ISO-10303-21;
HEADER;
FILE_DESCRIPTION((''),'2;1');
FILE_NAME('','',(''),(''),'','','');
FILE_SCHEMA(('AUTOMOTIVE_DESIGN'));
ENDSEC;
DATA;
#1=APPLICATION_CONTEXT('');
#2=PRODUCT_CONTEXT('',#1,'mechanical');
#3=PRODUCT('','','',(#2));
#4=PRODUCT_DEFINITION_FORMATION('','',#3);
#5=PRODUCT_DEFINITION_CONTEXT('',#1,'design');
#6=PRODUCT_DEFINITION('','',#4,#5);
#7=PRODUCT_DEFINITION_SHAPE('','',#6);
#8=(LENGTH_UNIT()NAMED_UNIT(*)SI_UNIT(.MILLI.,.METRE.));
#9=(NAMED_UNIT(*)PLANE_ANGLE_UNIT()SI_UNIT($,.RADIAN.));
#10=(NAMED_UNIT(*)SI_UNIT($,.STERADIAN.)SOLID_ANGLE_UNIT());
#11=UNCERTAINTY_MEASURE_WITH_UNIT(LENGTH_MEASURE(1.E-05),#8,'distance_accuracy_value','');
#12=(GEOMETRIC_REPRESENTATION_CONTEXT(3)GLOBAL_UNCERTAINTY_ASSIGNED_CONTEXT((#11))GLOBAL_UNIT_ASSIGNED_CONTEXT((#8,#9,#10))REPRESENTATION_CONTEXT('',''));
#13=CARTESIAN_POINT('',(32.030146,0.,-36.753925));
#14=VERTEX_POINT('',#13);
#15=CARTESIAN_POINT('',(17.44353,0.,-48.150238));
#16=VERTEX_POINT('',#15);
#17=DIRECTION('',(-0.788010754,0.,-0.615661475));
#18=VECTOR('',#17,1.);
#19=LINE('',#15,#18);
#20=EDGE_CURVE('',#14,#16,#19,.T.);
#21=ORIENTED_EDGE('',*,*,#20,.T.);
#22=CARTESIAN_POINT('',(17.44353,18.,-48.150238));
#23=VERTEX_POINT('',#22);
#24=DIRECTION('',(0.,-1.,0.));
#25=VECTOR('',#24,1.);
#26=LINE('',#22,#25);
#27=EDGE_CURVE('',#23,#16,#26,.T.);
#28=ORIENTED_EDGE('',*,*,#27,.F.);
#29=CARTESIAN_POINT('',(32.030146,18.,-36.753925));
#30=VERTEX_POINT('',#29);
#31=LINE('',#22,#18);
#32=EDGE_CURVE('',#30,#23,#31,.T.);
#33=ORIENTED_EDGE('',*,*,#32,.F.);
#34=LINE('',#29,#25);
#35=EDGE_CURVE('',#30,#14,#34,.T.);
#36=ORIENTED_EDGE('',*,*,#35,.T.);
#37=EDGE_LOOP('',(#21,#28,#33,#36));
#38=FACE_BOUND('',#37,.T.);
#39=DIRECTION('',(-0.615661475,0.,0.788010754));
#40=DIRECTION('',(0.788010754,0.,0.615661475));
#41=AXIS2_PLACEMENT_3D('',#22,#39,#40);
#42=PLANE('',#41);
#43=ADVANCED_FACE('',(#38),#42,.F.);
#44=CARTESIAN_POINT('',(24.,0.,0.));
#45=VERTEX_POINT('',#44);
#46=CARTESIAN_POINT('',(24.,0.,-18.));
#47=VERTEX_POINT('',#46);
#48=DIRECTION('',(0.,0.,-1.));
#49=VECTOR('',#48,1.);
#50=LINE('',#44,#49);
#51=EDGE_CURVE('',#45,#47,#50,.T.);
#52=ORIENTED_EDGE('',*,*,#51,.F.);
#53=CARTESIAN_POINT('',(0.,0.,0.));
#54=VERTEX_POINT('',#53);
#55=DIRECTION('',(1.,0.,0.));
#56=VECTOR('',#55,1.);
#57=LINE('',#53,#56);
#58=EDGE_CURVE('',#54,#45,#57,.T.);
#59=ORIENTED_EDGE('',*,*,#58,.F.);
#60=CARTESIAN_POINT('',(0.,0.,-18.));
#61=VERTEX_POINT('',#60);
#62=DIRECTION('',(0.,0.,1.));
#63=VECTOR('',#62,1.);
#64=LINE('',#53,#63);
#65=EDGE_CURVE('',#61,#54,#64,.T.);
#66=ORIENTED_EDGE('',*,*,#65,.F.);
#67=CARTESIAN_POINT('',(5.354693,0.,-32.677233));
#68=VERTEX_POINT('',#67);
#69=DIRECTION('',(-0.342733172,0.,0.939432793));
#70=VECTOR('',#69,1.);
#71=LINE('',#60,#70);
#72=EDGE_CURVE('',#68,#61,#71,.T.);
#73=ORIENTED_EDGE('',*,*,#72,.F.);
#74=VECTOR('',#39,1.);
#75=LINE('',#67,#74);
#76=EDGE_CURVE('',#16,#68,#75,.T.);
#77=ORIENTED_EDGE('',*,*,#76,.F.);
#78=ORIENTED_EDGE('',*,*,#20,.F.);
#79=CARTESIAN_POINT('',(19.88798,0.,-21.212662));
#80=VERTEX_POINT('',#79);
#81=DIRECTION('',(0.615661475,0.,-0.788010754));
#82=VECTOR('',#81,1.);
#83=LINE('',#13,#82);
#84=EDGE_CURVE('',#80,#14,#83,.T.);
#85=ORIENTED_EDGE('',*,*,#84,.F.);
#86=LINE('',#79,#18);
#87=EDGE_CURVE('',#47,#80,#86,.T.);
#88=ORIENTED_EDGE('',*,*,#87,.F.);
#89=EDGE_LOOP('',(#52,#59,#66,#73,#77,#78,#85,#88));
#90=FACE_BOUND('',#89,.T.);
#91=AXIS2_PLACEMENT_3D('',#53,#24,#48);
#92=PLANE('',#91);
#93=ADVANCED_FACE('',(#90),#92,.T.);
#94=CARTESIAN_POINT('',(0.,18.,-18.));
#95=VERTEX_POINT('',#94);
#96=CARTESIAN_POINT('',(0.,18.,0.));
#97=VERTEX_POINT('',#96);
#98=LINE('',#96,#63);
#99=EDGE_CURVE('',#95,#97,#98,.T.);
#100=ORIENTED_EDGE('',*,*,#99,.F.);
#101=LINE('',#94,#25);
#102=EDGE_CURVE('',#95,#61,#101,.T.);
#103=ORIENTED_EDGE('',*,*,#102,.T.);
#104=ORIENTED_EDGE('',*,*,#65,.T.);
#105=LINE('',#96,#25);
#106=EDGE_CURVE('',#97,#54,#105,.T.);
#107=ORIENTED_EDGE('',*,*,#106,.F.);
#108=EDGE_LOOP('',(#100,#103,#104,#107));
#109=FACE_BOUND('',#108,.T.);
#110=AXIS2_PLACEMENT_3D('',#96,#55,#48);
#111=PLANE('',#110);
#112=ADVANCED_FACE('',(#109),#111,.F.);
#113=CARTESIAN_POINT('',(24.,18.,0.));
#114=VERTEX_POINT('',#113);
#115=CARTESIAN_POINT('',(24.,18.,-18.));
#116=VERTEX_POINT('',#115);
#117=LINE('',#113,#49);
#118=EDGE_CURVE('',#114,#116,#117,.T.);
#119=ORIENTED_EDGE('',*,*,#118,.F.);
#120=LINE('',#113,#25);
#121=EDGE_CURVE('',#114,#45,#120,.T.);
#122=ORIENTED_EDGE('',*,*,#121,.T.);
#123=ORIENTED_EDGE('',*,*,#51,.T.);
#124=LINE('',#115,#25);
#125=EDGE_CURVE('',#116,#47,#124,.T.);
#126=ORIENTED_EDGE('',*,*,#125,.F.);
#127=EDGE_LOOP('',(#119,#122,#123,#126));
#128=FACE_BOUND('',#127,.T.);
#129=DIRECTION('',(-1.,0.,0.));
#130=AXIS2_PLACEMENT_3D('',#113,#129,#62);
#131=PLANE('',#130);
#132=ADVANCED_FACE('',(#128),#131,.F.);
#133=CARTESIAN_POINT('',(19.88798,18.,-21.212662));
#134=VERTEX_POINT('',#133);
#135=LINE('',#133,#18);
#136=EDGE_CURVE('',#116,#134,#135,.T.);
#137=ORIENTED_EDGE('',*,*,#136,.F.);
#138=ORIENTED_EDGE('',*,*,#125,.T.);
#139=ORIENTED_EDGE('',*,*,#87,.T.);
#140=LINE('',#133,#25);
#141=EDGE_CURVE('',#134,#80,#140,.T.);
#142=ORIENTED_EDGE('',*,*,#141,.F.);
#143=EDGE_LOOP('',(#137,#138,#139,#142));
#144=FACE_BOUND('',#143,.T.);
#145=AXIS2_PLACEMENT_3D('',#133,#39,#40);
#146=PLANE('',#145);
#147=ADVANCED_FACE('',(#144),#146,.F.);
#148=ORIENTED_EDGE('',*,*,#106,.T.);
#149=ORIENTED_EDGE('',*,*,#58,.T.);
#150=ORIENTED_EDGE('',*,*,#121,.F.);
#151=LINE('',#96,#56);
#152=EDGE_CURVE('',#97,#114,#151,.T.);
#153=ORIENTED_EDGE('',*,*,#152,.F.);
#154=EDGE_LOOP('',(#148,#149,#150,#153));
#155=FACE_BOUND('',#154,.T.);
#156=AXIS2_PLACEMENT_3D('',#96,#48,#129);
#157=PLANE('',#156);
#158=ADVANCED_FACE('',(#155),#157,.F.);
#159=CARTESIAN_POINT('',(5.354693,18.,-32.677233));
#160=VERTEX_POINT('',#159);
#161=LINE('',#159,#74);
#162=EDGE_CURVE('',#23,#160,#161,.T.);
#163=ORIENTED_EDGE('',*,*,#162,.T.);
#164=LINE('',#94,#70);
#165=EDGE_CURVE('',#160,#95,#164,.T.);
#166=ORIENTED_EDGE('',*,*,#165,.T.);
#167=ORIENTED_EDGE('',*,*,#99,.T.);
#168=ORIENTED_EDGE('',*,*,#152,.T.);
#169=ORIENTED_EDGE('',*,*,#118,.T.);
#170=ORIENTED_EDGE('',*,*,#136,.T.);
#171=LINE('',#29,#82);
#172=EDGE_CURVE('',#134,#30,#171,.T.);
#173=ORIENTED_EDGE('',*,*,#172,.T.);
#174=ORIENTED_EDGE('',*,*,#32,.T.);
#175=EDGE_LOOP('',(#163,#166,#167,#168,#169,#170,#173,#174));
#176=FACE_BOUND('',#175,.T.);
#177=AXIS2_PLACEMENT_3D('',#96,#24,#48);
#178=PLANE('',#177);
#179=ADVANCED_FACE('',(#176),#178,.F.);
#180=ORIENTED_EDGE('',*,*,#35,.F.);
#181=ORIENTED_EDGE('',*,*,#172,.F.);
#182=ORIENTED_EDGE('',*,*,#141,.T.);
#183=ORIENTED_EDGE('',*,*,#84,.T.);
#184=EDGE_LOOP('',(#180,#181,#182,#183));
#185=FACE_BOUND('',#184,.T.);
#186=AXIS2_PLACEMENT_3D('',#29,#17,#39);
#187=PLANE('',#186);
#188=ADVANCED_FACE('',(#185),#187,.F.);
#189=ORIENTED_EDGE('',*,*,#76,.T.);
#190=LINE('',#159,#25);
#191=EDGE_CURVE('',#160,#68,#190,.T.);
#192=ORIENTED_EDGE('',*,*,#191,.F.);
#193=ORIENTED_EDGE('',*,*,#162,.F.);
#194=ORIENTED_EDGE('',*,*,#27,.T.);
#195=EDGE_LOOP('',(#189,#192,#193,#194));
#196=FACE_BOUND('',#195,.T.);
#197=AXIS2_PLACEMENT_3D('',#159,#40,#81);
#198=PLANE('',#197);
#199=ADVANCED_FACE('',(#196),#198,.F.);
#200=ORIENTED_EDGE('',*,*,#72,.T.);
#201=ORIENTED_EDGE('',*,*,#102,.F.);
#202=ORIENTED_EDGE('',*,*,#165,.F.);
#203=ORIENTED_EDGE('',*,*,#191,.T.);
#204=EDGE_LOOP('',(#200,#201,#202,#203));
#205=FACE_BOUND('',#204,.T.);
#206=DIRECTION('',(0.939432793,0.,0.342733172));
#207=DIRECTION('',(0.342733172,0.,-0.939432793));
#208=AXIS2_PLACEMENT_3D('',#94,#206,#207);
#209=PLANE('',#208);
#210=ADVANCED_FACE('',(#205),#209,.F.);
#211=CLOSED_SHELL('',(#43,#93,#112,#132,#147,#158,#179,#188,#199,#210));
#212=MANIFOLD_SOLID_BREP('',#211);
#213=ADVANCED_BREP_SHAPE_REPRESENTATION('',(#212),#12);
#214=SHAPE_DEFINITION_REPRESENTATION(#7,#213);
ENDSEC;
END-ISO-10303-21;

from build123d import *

# Parameters (mm, degrees)
EXTRUDE_1_DEPTH = 18


with BuildPart() as part:
    # 草图1 → 凸台-拉伸1 (new body)
    with BuildSketch(Plane(origin=(0, 0, 0), x_dir=(1, 0, 0), z_dir=(0, 1, 0))):
        Polygon((0, 0), (24, 0), (24, 18), (19.887980444, 21.212661775), (32.030145957, 36.753924921), (17.443530181, 48.150238166), (5.354693286, 32.677232538), (0, 18), align=None)
    extrude(amount=EXTRUDE_1_DEPTH)


solid = part.part
